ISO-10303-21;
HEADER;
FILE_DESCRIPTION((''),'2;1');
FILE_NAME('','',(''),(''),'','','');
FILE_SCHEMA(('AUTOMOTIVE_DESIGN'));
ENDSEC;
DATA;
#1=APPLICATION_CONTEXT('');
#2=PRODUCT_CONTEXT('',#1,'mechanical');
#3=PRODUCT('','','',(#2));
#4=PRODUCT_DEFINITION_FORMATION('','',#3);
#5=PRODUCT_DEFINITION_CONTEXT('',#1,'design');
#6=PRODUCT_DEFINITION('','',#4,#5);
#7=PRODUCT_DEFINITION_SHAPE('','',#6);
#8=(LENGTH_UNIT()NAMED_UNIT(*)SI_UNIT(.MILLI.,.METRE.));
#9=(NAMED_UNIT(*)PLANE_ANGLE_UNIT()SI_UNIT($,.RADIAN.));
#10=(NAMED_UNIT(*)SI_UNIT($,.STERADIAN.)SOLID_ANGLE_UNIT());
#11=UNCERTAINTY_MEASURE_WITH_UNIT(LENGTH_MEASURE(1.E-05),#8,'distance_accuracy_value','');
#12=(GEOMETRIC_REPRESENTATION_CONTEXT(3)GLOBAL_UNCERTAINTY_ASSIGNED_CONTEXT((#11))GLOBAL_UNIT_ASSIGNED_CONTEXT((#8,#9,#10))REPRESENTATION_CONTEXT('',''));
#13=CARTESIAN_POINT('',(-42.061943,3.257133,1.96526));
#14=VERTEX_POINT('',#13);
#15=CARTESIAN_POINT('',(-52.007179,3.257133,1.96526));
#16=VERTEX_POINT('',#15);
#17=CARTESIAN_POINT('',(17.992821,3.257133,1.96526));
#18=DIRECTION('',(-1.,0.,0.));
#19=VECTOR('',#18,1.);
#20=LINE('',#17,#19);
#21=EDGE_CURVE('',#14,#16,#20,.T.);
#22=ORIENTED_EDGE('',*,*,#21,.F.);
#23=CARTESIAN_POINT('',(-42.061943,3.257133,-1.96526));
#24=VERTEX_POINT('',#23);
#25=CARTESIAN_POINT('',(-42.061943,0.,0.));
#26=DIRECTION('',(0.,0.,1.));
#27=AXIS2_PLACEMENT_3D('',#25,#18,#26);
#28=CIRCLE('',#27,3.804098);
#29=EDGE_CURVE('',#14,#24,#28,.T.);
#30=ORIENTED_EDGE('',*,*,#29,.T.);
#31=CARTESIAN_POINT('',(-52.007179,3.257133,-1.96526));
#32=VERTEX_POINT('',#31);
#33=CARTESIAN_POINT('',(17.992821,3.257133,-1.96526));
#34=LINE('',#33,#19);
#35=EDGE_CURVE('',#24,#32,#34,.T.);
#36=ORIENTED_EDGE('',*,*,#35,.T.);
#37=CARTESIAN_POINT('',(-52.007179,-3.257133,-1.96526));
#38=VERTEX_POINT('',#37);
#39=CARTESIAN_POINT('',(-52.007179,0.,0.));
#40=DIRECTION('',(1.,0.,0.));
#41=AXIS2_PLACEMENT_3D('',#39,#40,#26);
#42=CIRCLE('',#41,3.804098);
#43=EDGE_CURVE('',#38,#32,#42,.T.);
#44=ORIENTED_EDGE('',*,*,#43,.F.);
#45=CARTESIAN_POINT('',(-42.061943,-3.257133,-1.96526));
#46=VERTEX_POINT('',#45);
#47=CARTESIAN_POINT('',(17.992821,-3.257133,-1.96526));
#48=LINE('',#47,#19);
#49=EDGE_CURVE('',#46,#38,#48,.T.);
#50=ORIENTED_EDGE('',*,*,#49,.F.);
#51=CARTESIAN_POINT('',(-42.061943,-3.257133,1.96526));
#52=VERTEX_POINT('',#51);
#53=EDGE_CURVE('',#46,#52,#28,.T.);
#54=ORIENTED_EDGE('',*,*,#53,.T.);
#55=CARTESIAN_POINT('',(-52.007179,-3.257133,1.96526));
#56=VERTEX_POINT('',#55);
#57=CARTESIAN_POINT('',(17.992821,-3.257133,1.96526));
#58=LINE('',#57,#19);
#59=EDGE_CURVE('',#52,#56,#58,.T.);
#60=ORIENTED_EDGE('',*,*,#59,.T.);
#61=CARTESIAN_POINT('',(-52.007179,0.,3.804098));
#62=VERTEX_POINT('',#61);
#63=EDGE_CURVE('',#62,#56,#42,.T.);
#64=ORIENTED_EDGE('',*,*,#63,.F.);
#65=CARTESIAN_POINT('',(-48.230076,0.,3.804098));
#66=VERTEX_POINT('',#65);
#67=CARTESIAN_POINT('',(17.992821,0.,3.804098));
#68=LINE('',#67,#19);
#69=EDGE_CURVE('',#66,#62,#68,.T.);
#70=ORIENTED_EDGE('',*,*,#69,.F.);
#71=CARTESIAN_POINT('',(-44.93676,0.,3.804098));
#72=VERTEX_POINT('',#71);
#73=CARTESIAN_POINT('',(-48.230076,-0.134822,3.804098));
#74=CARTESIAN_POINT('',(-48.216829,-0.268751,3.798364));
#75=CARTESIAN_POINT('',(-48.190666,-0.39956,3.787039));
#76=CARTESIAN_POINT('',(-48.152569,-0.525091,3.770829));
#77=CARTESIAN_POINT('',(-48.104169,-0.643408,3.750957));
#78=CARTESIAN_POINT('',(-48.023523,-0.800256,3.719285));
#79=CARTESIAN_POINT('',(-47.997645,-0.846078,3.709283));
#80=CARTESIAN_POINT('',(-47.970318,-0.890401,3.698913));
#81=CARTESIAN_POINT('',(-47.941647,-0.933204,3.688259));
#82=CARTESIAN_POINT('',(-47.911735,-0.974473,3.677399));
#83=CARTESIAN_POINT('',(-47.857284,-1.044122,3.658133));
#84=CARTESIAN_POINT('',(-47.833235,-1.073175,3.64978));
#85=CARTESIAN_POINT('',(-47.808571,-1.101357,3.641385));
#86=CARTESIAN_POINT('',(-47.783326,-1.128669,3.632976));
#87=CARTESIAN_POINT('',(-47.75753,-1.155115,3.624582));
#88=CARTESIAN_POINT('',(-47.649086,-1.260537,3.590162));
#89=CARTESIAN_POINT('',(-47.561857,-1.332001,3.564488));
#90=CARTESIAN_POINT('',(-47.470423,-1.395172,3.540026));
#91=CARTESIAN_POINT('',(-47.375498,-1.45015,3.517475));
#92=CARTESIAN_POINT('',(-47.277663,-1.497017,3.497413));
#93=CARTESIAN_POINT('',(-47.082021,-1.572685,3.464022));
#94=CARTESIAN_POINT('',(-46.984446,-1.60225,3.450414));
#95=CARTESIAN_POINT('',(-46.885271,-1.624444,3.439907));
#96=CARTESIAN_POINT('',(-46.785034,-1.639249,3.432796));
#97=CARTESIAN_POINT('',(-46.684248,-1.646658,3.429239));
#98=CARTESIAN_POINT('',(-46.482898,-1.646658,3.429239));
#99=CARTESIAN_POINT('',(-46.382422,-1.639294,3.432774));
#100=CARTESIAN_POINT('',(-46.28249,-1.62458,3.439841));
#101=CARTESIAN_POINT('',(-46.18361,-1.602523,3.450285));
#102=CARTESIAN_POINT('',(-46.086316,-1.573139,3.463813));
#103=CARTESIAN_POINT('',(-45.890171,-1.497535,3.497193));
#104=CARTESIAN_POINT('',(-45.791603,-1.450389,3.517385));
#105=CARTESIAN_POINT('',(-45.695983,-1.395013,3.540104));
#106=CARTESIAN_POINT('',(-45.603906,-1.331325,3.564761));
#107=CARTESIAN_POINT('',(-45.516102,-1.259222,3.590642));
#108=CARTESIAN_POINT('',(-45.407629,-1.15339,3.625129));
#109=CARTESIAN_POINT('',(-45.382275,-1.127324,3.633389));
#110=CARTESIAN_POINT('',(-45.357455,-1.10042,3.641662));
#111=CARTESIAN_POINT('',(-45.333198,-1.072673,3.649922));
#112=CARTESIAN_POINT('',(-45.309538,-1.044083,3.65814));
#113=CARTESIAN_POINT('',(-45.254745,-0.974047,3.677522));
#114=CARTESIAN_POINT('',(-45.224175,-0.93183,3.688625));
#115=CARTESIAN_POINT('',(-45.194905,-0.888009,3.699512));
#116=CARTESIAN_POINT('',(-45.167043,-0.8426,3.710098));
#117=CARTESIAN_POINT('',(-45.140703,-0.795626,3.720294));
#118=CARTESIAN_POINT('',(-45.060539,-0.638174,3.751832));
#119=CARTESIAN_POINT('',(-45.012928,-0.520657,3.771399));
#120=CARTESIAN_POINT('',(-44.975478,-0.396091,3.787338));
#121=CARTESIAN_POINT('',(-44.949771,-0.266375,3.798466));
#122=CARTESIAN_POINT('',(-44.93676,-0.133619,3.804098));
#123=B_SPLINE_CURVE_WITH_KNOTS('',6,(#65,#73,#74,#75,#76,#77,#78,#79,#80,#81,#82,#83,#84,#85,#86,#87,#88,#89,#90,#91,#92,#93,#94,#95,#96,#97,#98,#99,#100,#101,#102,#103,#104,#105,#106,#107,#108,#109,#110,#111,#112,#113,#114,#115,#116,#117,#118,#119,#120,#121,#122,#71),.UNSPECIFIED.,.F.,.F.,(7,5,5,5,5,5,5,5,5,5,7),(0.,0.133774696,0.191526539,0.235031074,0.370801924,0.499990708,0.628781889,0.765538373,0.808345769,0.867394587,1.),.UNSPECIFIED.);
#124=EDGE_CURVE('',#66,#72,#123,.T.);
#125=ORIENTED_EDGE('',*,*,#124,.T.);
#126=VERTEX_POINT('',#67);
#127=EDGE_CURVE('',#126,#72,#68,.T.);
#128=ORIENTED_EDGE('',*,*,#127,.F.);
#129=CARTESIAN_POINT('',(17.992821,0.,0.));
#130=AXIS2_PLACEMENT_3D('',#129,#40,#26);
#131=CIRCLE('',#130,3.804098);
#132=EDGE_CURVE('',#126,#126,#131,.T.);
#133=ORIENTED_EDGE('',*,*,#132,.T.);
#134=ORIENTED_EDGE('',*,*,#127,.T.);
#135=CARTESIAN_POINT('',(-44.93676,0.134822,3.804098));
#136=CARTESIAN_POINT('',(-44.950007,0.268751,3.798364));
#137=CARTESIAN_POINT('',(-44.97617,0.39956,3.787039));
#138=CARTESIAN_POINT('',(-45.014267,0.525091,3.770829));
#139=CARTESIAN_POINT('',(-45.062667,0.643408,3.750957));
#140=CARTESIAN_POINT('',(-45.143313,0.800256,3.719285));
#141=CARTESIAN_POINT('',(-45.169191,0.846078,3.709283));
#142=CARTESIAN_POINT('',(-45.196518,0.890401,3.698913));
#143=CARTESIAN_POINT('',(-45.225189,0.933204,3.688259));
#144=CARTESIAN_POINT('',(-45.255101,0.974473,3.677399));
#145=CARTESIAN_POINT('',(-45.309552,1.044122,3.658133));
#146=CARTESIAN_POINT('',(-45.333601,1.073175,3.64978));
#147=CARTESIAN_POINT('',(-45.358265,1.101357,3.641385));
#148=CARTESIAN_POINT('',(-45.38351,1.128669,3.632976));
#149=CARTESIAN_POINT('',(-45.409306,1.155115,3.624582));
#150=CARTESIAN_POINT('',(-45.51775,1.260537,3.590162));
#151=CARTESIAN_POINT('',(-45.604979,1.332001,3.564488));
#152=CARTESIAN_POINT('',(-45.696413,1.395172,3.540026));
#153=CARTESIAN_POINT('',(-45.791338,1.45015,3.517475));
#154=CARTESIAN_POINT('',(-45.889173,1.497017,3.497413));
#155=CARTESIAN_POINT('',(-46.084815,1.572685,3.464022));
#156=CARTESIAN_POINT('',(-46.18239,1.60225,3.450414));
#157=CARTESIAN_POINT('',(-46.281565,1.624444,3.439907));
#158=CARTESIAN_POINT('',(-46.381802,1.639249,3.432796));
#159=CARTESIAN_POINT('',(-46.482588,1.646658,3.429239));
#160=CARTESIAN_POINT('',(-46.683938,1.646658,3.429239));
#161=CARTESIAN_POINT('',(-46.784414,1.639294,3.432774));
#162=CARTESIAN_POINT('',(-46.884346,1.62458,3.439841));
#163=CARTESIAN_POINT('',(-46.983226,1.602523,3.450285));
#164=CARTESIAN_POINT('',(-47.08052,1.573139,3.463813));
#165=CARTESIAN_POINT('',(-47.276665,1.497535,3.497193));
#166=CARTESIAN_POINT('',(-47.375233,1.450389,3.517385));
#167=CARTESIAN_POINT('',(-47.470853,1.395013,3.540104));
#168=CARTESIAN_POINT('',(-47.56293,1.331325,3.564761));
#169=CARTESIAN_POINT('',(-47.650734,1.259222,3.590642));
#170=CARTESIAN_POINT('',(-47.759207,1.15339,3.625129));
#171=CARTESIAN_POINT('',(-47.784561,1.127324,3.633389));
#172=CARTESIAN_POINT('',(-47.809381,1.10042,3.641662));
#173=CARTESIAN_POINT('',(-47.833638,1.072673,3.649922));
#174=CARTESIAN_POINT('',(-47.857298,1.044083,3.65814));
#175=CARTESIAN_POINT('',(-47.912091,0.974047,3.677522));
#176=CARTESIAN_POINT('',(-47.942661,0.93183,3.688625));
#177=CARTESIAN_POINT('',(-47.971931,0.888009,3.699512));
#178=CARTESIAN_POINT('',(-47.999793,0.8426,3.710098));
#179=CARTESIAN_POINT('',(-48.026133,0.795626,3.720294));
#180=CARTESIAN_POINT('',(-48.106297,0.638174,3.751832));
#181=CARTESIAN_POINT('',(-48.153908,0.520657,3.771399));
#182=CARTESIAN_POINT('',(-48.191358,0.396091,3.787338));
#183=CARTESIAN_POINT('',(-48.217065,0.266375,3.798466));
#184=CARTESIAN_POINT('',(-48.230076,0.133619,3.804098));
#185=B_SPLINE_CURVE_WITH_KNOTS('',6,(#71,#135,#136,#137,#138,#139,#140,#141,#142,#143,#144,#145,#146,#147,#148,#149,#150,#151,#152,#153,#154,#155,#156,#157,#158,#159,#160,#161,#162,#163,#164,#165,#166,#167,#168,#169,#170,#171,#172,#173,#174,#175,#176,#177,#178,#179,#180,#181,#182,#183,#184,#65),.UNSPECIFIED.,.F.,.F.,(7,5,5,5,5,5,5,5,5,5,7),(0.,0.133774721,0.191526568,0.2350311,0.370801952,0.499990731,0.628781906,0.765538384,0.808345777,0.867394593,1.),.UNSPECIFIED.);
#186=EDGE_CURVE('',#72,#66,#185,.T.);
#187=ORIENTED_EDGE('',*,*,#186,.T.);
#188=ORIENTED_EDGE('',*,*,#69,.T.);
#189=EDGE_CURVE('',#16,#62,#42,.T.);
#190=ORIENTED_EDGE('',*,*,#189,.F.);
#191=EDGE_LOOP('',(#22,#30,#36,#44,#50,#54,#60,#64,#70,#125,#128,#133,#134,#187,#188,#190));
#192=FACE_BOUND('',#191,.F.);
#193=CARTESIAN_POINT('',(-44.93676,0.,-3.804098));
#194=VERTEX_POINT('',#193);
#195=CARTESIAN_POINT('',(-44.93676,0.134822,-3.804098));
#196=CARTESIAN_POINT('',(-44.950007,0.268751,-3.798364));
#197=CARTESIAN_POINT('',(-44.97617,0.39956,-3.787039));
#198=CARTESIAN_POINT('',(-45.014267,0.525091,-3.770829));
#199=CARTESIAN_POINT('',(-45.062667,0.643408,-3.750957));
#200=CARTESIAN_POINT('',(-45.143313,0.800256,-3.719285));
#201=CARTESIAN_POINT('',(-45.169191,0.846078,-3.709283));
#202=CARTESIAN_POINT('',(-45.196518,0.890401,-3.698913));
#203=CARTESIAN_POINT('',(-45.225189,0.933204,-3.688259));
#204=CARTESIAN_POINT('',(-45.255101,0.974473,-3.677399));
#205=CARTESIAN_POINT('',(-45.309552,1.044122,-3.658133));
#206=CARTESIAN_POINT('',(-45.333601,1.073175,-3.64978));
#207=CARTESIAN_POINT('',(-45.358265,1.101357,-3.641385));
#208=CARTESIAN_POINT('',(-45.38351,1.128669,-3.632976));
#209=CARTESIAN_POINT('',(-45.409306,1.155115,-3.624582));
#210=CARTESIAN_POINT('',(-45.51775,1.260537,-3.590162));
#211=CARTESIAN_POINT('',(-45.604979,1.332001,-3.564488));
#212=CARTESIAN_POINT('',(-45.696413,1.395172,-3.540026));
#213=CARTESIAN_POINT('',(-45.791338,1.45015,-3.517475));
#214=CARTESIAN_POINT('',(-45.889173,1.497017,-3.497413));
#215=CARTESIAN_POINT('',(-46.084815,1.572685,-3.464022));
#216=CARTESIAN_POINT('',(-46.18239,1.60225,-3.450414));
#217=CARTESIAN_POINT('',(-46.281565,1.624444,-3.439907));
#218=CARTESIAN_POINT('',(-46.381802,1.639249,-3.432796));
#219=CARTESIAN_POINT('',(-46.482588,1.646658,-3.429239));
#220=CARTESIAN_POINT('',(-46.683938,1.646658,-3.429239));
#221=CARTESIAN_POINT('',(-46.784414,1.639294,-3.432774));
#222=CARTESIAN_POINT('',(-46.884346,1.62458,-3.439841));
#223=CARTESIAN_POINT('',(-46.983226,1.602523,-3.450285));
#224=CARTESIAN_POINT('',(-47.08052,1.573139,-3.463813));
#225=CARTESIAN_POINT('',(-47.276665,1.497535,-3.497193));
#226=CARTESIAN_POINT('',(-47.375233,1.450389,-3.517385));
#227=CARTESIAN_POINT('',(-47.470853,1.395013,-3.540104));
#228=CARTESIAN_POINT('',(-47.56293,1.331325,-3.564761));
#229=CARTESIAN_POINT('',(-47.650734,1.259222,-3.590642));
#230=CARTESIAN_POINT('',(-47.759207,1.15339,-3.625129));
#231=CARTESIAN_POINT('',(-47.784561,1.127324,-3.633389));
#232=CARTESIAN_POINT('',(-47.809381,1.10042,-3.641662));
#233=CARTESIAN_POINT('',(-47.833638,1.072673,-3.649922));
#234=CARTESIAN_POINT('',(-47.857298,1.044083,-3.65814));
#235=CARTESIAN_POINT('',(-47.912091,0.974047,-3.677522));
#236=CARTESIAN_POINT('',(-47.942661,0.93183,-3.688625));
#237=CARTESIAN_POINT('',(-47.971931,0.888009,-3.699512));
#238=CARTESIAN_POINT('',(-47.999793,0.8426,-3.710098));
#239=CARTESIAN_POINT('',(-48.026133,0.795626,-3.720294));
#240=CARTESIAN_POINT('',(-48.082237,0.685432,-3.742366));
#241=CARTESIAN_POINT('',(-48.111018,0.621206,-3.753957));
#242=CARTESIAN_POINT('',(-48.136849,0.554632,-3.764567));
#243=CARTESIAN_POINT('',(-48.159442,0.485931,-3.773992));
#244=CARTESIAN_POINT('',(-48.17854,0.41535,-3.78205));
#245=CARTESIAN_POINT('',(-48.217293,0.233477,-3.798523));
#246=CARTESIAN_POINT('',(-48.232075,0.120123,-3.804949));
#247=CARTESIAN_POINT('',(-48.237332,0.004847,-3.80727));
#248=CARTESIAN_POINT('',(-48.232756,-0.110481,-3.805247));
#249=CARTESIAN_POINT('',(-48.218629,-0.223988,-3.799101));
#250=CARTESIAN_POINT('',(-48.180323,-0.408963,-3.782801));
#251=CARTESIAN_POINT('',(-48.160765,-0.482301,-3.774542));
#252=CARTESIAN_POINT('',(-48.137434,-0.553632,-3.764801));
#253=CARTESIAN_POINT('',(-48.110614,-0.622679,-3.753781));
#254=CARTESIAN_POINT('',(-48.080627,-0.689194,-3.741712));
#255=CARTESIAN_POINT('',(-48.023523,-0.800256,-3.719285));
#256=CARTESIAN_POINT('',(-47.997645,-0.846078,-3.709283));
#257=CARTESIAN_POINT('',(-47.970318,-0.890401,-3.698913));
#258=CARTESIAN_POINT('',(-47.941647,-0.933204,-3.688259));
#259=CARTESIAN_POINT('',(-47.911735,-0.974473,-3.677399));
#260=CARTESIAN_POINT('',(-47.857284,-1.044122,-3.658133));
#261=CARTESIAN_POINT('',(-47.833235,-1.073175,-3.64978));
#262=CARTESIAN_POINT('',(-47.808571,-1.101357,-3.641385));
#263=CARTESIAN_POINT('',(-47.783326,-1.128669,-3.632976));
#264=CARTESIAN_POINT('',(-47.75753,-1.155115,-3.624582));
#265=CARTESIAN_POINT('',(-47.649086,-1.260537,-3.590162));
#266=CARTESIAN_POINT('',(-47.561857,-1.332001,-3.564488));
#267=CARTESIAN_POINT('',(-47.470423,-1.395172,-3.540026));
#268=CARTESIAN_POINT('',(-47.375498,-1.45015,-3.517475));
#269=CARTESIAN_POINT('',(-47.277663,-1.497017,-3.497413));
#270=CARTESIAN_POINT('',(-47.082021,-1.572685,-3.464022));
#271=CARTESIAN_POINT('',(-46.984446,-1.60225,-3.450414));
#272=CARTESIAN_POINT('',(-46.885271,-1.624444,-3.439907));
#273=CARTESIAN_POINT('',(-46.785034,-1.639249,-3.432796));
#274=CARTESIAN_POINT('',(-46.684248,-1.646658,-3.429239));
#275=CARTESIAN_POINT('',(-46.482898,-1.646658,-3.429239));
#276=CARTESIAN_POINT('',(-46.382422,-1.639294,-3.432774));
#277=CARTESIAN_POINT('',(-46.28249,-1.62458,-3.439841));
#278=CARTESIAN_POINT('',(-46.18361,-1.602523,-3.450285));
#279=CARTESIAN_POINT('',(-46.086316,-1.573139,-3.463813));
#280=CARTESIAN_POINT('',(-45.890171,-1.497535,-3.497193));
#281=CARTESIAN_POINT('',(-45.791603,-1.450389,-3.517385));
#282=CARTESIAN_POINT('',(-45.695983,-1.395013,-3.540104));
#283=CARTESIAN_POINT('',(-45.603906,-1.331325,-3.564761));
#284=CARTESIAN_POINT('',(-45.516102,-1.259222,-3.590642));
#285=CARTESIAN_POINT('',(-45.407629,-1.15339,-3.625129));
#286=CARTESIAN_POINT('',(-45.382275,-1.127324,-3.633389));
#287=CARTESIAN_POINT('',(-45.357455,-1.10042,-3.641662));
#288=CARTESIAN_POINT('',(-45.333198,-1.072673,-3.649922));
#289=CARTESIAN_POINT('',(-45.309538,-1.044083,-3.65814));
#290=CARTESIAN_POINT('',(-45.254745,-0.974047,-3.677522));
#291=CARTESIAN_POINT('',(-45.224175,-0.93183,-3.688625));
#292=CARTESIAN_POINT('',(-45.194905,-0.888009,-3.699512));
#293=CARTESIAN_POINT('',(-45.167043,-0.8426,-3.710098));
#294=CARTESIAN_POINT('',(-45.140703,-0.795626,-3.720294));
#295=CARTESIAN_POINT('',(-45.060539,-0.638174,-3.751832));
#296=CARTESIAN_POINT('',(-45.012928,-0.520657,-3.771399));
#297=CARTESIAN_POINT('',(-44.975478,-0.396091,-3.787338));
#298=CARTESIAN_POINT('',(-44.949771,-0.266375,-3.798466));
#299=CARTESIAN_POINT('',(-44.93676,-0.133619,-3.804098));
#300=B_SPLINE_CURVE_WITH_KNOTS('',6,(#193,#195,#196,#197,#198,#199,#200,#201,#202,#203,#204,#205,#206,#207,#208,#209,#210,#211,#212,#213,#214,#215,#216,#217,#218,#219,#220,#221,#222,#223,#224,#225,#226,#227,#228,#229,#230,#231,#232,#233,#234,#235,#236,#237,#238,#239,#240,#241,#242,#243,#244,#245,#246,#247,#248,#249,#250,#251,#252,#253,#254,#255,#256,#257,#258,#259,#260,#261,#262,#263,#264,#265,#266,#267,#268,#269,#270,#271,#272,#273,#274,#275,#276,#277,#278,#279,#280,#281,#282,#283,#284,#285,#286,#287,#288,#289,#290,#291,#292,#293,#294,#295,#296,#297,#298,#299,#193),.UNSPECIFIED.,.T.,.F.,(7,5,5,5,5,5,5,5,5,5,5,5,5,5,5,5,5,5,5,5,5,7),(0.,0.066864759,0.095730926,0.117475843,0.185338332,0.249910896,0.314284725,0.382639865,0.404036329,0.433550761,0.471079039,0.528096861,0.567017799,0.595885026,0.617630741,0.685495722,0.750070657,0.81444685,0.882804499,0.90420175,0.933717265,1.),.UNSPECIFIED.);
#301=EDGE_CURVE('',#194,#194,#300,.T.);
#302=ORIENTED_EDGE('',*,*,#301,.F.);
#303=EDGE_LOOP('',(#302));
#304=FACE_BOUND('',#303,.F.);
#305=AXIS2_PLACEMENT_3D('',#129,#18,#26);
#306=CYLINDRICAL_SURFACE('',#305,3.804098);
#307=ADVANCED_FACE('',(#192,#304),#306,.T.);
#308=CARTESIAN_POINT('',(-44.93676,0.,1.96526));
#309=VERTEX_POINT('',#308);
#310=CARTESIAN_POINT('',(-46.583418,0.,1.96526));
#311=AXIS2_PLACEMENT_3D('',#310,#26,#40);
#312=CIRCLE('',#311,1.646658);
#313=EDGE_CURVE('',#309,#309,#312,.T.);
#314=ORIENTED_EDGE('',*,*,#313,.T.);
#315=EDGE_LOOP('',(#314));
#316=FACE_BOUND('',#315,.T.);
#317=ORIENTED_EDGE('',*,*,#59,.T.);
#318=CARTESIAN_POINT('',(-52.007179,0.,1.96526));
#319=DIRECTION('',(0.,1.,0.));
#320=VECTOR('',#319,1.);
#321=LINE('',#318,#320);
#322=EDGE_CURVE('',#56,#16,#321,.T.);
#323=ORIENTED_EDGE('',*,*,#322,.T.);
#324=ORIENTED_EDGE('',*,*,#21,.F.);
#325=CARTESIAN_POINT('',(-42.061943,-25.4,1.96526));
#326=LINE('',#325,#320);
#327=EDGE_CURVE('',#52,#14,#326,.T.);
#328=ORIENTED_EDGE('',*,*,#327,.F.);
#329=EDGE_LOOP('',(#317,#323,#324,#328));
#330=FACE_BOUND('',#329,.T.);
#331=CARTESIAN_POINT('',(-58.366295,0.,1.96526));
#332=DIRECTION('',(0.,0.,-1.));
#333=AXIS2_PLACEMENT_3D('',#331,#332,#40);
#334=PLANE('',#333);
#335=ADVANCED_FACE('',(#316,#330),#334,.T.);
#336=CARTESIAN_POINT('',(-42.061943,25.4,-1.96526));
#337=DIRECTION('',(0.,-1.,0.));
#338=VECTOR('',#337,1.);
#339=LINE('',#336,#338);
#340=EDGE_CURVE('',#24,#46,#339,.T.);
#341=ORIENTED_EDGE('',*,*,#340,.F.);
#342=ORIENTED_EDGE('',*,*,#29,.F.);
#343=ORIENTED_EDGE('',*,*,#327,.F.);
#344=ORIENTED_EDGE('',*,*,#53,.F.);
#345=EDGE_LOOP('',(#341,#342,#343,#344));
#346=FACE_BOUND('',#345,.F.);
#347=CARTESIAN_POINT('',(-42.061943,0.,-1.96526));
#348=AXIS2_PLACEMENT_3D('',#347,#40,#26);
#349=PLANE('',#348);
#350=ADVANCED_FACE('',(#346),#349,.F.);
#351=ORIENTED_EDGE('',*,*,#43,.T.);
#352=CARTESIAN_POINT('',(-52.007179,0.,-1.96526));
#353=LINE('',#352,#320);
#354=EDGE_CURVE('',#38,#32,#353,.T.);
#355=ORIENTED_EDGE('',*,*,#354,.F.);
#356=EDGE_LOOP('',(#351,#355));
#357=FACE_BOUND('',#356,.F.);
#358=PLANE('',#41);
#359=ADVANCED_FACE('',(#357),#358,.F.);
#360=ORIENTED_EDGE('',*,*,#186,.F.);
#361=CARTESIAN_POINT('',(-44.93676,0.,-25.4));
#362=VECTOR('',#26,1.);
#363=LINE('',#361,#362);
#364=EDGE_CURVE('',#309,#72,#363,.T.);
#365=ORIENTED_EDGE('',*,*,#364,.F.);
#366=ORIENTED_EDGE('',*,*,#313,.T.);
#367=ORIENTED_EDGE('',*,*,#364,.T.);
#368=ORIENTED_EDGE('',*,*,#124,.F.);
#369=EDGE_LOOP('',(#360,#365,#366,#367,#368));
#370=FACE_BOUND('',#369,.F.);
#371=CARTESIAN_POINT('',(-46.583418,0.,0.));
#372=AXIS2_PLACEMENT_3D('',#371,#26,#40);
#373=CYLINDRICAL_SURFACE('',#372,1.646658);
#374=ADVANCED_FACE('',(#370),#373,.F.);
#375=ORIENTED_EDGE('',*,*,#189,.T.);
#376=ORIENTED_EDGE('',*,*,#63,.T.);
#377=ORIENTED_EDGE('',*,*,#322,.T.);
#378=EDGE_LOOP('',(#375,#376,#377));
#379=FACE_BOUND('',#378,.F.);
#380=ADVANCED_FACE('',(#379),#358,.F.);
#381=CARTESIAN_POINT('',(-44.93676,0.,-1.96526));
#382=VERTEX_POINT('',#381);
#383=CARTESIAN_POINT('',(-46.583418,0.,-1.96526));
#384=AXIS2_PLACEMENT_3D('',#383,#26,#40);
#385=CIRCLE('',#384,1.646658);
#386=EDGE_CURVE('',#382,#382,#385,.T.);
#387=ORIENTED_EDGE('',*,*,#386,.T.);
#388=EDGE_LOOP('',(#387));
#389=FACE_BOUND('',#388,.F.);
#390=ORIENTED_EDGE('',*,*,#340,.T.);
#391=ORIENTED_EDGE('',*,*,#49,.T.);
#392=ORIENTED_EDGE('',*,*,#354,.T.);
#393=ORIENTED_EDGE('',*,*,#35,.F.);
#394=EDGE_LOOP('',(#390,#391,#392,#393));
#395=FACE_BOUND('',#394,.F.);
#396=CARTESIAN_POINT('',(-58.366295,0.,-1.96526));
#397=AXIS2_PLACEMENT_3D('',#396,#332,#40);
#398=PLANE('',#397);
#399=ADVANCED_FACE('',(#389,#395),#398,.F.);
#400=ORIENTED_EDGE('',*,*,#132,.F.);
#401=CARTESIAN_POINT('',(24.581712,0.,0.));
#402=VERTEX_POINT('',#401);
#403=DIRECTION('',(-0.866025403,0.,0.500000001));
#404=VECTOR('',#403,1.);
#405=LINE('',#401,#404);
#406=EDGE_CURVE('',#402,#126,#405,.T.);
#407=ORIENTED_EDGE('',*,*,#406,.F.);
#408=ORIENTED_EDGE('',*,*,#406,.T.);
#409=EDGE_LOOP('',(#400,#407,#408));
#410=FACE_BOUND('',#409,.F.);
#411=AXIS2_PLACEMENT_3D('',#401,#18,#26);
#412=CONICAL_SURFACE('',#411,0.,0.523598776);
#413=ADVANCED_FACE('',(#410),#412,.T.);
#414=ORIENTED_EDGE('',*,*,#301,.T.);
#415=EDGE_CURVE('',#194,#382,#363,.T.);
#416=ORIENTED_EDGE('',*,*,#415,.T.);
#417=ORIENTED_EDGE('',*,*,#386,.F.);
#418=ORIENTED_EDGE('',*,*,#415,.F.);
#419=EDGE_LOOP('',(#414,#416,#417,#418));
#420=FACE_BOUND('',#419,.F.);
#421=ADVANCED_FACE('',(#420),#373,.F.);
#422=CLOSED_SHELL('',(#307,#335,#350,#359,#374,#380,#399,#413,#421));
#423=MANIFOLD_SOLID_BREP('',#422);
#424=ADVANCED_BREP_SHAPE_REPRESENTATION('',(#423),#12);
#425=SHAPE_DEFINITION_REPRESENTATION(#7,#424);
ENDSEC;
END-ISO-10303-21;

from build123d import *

# Parameters (mm, degrees)
F2_W     = 16.304351
F2_H     = 3.93052
F3_DEPTH = 25.4
F4_R     = 1.646658
F5_DEPTH = 25.4


with BuildPart() as f1:
    # F0 (on Front) → F1 (revolve)
    with BuildSketch(Plane.XZ):
        Polygon((-52.007179, 3.804098), (-52.007179, 0), (24.581712, 0), (17.992821, 3.804098), align=None)
    revolve(axis=Axis((-13.712734, 0, 0), (1, 0, 0)))

    # F2 (on Front) → F3 (cut, symmetric)
    with BuildSketch(Plane.XZ):
        with Locations((-50.214119, 0)):
            Rectangle(F2_W, F2_H)
    extrude(amount=F3_DEPTH, both=True, mode=Mode.SUBTRACT)

    # F4 (on Top) → F5 (cut, symmetric)
    with BuildSketch(Plane.XY):
        with Locations((-46.583418, 0)):
            Circle(F4_R)
    extrude(amount=F5_DEPTH, both=True, mode=Mode.SUBTRACT)


solid = f1.part
